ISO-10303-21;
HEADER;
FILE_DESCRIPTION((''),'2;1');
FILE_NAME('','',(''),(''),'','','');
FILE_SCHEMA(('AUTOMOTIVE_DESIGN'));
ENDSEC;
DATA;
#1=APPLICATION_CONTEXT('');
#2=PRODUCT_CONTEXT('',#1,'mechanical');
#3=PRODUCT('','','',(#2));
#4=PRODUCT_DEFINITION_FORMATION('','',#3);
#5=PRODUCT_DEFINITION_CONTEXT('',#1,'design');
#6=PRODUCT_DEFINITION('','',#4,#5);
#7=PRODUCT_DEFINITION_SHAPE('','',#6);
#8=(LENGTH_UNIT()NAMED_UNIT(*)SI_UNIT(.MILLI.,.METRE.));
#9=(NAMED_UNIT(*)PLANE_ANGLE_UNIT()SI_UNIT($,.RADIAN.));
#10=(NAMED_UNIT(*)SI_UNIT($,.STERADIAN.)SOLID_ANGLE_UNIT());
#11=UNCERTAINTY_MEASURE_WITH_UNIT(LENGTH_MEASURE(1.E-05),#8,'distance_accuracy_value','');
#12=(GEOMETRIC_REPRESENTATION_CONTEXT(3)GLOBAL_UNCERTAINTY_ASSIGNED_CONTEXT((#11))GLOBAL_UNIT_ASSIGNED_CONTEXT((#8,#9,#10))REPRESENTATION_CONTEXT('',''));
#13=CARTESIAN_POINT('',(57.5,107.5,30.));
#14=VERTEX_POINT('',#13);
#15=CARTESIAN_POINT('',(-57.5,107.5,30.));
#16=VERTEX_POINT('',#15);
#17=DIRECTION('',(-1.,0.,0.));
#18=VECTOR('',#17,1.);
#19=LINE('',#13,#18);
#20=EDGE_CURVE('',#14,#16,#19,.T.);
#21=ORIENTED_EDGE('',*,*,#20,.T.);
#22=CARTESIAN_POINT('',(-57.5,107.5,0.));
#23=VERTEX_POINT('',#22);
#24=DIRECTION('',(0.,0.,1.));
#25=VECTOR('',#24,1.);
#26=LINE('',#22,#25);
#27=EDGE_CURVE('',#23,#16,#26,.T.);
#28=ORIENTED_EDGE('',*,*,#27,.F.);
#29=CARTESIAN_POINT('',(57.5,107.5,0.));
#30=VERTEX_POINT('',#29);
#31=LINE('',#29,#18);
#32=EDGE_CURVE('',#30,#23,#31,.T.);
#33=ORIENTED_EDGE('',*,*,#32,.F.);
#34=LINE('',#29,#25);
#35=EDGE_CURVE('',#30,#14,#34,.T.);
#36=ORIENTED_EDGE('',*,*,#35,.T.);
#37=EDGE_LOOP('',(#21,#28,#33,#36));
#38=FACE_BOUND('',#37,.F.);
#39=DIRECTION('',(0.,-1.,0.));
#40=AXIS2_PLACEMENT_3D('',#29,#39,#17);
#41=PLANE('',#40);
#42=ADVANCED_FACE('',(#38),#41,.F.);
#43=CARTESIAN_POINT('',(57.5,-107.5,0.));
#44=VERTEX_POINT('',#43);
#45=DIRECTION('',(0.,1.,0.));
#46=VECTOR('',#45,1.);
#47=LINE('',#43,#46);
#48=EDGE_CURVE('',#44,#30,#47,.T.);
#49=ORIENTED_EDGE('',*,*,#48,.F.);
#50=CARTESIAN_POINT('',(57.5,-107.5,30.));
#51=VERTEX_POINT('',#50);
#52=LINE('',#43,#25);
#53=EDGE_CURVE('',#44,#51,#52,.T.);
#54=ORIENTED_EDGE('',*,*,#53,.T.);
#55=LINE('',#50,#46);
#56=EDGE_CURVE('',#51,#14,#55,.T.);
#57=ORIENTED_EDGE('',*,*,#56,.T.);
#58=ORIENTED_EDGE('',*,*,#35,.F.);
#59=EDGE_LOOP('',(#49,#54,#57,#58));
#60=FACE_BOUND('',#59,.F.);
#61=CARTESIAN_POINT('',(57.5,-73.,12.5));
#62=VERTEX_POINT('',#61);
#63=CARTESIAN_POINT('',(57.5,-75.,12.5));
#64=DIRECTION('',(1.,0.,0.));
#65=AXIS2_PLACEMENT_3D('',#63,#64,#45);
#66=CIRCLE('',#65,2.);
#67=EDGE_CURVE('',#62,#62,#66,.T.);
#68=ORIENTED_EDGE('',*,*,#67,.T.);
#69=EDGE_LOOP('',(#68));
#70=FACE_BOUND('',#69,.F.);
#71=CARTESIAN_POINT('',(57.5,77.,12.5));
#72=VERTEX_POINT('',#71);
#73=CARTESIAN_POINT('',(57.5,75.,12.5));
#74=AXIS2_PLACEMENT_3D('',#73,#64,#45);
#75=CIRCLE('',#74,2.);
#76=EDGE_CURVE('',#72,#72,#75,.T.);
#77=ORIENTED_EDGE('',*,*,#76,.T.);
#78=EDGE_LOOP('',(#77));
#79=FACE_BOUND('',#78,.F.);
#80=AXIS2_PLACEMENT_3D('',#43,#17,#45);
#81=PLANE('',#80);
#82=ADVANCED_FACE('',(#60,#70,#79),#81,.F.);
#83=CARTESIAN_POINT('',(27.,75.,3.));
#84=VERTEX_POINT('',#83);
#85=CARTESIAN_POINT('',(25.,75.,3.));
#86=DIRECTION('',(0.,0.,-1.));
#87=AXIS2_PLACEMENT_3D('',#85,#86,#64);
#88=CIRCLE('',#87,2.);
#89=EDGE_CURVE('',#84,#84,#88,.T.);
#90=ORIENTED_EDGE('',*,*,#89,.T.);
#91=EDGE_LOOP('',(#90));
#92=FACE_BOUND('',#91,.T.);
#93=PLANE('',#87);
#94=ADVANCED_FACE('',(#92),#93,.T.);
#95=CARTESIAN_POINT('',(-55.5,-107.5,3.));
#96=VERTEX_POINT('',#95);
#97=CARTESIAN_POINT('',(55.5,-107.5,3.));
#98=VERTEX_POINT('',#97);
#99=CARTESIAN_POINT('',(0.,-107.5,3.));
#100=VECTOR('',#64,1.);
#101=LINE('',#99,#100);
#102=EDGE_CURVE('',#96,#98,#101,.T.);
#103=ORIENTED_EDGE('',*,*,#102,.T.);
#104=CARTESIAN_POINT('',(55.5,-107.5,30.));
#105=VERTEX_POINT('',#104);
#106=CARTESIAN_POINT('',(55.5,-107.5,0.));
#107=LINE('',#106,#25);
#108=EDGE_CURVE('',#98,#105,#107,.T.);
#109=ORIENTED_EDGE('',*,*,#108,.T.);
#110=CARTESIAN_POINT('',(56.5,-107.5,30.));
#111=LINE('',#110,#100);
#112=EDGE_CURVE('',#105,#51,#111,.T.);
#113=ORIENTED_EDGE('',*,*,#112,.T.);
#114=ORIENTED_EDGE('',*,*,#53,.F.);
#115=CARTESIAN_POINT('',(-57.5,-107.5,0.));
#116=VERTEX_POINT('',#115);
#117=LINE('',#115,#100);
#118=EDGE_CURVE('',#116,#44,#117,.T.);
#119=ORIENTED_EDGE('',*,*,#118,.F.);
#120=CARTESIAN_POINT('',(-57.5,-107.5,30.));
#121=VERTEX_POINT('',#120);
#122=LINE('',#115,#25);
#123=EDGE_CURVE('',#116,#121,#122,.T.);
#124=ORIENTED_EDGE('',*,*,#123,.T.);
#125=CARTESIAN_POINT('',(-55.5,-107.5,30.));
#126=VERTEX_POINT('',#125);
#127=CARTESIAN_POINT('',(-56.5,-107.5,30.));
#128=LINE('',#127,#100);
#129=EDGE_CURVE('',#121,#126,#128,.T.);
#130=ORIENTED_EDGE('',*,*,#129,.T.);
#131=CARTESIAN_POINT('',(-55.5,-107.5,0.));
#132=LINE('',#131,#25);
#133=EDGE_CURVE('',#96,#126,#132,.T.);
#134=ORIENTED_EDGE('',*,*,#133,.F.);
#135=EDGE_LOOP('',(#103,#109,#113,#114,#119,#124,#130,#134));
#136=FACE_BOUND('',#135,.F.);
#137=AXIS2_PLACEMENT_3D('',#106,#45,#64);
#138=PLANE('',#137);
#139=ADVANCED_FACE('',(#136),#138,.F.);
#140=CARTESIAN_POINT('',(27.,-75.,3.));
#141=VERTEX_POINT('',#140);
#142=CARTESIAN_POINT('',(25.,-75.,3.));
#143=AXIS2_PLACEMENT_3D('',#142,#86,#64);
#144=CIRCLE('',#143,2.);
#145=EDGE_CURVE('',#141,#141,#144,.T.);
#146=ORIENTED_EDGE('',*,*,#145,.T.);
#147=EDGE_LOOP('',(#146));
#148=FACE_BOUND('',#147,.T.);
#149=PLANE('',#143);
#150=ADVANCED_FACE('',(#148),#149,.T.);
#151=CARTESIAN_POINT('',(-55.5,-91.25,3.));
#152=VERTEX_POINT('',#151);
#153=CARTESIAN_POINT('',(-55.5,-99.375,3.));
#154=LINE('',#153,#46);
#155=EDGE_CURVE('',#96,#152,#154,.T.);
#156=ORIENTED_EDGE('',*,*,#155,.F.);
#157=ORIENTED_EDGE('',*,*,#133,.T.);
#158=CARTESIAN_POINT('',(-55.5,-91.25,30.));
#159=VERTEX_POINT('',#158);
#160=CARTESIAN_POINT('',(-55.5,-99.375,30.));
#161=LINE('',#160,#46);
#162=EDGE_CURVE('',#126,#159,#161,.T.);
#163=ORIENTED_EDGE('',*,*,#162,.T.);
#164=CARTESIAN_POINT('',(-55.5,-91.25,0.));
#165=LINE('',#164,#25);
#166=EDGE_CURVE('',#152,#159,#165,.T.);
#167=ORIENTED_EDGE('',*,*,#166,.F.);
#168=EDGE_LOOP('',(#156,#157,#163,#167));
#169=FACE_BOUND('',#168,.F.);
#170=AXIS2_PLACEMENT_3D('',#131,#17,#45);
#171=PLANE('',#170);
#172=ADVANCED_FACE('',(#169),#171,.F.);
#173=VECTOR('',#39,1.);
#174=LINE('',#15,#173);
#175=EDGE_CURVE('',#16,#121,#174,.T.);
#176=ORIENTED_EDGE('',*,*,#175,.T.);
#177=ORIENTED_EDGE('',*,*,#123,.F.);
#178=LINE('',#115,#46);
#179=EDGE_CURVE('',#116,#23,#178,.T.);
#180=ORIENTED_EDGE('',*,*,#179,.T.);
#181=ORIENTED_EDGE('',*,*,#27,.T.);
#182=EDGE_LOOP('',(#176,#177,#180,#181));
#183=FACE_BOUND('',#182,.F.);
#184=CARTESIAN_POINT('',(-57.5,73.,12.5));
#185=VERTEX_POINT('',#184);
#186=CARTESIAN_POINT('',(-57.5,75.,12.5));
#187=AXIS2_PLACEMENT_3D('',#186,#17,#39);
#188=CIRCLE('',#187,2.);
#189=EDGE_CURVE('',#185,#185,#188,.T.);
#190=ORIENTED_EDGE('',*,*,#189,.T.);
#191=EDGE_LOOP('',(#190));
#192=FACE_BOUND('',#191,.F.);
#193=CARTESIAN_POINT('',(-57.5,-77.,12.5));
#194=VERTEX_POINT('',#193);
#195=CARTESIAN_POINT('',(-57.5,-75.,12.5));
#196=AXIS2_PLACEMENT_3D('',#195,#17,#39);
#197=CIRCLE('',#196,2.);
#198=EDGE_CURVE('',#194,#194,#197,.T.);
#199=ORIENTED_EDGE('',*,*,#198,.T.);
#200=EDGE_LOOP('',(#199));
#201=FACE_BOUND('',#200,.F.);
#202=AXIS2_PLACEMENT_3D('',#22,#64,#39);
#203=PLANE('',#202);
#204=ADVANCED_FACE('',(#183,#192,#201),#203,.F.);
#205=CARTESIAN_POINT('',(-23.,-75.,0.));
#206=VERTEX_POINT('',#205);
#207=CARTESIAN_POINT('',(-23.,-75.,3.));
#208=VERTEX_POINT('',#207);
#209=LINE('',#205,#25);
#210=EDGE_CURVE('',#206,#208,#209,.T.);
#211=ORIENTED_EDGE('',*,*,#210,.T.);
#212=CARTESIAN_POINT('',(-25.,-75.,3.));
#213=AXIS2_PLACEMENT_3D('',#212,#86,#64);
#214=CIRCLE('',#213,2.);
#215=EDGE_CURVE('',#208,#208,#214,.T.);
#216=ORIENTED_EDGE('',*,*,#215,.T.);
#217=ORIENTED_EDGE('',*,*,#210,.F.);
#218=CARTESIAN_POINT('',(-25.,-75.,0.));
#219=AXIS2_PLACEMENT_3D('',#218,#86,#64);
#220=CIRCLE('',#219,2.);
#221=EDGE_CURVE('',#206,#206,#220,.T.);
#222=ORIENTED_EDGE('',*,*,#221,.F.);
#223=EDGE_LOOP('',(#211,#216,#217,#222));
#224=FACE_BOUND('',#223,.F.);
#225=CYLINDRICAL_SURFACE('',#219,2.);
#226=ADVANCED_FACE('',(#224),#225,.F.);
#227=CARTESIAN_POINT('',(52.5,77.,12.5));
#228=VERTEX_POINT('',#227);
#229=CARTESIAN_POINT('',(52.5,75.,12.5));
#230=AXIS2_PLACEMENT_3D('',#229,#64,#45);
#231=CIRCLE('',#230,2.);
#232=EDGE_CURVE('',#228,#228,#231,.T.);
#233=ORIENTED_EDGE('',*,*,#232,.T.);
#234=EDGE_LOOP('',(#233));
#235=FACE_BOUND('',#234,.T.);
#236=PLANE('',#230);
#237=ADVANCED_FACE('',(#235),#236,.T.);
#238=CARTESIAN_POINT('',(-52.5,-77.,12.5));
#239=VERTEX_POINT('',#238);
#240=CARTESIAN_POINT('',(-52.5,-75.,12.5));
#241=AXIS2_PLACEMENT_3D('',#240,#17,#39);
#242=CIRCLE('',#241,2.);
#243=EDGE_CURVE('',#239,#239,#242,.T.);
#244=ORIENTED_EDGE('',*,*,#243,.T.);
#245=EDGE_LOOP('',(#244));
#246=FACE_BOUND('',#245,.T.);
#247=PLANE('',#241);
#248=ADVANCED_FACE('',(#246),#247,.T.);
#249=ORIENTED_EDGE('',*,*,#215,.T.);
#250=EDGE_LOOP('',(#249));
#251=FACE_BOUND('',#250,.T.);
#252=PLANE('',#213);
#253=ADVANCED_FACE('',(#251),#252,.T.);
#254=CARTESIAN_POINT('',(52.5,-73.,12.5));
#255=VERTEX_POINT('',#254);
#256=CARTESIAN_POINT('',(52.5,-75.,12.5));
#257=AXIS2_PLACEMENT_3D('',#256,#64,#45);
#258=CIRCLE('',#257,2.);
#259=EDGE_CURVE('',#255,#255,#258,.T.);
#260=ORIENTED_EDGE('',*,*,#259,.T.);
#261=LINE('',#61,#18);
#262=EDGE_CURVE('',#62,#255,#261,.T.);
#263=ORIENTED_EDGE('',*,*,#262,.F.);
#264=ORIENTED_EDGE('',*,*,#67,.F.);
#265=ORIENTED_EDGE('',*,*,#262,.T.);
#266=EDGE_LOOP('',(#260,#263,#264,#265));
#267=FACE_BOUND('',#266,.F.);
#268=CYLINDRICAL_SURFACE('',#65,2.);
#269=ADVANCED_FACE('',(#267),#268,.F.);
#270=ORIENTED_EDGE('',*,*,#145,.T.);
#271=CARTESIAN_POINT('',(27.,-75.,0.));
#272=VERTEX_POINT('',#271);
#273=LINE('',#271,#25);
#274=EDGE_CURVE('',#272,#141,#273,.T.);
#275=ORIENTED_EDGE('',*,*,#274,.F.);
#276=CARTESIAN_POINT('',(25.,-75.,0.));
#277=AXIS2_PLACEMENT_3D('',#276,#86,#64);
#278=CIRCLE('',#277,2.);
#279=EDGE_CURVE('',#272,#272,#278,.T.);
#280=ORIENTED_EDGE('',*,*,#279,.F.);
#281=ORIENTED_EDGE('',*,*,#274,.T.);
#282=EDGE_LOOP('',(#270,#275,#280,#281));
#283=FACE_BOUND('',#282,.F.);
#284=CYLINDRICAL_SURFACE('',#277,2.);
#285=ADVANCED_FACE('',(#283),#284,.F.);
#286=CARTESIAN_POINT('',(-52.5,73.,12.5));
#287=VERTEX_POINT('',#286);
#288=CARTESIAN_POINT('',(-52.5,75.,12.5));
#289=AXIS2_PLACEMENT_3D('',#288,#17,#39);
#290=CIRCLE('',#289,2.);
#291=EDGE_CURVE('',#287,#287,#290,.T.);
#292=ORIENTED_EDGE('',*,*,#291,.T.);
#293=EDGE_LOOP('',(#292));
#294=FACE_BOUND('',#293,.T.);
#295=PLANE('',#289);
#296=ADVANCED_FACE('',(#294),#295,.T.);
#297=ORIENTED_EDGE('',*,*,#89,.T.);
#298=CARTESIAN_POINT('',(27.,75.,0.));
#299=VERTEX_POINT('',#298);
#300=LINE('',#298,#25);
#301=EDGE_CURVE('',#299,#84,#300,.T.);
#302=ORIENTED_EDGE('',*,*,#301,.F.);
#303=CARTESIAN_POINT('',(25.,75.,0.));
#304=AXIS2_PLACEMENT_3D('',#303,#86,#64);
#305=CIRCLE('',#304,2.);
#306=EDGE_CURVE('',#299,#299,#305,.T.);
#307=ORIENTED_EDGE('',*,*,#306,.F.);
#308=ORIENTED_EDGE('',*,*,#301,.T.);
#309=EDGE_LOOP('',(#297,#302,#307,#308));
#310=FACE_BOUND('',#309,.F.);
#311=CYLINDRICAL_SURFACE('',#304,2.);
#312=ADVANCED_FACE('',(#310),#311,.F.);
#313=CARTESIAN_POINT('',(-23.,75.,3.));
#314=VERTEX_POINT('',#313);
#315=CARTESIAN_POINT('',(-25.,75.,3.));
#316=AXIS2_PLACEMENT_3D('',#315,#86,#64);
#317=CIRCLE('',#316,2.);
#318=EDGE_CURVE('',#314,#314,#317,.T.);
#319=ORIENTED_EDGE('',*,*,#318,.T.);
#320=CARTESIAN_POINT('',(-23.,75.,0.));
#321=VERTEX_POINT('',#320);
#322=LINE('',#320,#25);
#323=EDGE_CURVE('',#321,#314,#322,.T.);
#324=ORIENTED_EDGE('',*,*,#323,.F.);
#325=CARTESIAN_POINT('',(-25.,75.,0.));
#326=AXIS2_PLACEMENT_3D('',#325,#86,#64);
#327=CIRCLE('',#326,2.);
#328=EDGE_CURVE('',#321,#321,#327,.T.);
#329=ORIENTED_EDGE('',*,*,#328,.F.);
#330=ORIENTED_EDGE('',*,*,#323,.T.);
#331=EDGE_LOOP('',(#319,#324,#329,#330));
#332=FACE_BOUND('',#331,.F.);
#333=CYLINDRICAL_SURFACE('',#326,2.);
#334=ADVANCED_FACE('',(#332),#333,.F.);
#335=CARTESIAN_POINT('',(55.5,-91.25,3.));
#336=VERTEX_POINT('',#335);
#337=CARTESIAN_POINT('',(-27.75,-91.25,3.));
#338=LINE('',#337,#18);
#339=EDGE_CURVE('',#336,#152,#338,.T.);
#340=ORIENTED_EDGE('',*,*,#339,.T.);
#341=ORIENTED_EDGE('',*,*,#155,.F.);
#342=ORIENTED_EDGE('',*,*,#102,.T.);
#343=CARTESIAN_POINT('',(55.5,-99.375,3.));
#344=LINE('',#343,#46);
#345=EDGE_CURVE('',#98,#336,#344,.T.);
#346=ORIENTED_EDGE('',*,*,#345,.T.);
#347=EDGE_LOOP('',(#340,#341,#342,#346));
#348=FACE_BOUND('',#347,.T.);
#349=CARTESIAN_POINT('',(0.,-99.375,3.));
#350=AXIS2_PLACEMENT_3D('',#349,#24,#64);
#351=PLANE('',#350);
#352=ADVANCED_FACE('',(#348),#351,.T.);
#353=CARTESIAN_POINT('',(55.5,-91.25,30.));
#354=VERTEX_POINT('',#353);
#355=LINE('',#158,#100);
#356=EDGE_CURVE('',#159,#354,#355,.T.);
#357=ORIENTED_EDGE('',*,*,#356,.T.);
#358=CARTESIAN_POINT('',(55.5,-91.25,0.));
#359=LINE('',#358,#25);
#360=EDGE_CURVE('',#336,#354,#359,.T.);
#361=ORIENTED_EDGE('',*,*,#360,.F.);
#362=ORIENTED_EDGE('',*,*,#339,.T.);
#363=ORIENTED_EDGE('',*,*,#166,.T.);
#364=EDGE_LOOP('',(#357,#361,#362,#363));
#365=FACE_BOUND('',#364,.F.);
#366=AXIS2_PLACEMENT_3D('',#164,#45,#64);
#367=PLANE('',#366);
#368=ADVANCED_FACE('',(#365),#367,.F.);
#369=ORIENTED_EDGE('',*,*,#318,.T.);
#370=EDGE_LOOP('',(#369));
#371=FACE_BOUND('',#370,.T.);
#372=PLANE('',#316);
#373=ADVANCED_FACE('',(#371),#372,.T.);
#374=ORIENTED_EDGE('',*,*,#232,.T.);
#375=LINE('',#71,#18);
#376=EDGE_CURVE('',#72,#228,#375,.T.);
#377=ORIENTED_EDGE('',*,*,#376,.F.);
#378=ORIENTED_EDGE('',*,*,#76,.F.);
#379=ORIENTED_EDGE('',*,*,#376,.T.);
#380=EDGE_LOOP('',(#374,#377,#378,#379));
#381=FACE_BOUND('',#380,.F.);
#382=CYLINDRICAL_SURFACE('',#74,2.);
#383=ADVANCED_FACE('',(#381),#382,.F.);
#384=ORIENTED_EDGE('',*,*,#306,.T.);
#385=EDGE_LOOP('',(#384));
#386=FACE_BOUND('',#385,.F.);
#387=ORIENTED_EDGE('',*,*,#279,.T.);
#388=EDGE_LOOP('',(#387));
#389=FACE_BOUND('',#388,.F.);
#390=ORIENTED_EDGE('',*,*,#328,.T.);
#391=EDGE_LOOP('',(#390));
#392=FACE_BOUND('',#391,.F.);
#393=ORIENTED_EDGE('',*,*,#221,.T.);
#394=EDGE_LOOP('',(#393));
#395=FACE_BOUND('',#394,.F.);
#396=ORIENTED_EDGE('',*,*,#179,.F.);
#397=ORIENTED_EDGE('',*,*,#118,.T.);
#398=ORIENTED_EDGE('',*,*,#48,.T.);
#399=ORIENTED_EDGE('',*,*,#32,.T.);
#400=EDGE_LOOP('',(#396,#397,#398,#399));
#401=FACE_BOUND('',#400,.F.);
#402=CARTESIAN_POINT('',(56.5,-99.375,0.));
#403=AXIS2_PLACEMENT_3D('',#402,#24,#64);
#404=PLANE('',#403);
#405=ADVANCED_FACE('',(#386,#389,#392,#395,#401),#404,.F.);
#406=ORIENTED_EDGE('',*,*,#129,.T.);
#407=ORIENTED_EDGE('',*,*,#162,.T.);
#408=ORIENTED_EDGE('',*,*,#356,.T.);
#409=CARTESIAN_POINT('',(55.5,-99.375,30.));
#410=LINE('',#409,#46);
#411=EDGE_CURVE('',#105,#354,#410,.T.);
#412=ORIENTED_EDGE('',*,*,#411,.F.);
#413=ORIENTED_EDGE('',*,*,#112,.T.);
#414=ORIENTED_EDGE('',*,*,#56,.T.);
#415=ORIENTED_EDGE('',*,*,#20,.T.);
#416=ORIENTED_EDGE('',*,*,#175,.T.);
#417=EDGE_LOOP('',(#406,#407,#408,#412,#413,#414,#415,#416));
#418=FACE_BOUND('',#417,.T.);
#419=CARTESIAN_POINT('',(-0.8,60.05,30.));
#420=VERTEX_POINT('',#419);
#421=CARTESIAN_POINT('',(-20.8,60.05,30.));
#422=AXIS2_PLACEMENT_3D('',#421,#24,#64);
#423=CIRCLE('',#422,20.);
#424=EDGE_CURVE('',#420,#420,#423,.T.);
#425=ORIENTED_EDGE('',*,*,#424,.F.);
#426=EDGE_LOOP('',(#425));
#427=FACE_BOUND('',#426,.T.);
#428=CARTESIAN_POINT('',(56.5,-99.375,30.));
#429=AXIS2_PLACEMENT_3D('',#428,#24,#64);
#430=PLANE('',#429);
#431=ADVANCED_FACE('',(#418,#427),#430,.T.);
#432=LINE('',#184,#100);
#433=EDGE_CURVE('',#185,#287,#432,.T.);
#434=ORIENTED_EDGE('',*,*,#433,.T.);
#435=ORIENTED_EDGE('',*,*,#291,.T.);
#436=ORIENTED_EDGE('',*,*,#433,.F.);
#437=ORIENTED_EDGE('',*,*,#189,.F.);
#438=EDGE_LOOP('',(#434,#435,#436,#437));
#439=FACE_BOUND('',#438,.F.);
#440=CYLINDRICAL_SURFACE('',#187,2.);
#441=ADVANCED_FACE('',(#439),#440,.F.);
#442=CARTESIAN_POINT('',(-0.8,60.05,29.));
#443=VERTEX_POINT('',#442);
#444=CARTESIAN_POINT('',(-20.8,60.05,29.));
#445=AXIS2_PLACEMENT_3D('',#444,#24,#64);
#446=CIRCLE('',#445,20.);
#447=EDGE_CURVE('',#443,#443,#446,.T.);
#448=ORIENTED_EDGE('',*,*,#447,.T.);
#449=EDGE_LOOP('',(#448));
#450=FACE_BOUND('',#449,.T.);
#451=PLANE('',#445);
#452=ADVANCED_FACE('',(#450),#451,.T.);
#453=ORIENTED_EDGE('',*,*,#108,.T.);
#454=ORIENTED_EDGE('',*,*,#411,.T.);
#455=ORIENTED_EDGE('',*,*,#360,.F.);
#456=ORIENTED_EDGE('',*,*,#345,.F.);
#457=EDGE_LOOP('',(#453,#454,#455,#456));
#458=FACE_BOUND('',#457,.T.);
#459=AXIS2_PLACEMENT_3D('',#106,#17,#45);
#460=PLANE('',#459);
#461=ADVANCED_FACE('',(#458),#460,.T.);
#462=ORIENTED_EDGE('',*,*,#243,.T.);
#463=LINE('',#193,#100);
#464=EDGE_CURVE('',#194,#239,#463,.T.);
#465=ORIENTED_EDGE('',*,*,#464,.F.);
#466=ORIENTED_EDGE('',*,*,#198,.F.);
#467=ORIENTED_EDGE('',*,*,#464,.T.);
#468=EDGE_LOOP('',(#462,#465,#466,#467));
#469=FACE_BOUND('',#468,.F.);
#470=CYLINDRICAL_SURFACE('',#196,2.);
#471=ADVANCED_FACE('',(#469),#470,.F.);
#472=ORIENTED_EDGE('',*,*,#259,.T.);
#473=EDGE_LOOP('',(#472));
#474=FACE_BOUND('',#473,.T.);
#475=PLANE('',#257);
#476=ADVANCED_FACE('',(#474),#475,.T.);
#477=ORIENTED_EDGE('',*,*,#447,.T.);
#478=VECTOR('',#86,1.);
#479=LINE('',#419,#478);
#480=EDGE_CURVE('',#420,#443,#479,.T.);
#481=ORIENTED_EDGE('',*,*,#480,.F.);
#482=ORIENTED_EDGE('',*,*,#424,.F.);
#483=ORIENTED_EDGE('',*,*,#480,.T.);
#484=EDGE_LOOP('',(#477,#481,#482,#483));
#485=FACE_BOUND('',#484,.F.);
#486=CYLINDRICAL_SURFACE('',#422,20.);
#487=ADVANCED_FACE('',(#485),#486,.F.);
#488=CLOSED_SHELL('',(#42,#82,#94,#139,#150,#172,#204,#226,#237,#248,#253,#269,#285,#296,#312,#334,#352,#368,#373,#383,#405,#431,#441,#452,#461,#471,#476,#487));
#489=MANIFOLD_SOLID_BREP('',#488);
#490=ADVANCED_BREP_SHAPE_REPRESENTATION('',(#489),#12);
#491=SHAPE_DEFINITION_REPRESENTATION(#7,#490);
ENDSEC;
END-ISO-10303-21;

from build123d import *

# Parameters (mm, degrees)
F0_W      = 111
F0_H      = 16.25
F1_DEPTH  = 3
F0_W_2    = 2
F2_DEPTH  = 30
F3_R      = 2
F4_DEPTH  = 5
F5_R      = 2
F6_DEPTH  = 3
F7_R      = 2
F8_DEPTH  = 5
F9_R      = 20
F10_DEPTH = 1


with BuildPart() as f1:
    # F0 (on Top) → F1 (new body)
    with BuildSketch(Plane.XY):
        with Locations((0, -99.375)):
            Rectangle(F0_W, F0_H)
        Polygon((55.5, -91.25), (57.5, -91.25), (57.5, 107.5), (-57.5, 107.5), (-57.5, -91.25), (-55.5, -91.25), align=None)
    extrude(amount=F1_DEPTH)

    # F0 (on Top) → F2 (join)
    with BuildSketch(Plane.XY):
        with Locations((56.5, -99.375)):
            Rectangle(F0_W_2, F0_H)
        with Locations((-56.5, -99.375)):
            Rectangle(F0_W_2, F0_H)
        Polygon((55.5, -91.25), (57.5, -91.25), (57.5, 107.5), (-57.5, 107.5), (-57.5, -91.25), (-55.5, -91.25), align=None)
    extrude(amount=F2_DEPTH)

    # F3 (on face) → F4 (cut)
    with BuildSketch(Plane.YZ.offset(57.5)):
        with Locations((-75, 12.5)):
            Circle(F3_R)
        with Locations((75, 12.5)):
            Circle(F3_R)
    extrude(amount=-F4_DEPTH, mode=Mode.SUBTRACT)

    # F5 (on face) → F6 (cut)
    with BuildSketch(Plane(origin=(0, 0, 0), x_dir=(1, 0, 0), z_dir=(0, 0, -1))):
        with Locations((25, 75)):
            Circle(F5_R)
        with Locations((25, -75)):
            Circle(F5_R)
        with Locations((-25, 75)):
            Circle(F5_R)
        with Locations((-25, -75)):
            Circle(F5_R)
    extrude(amount=-F6_DEPTH, mode=Mode.SUBTRACT)

    # F7 (on face) → F8 (cut)
    with BuildSketch(Plane(origin=(-57.5, 0, 0), x_dir=(0, -1, 0), z_dir=(-1, 0, 0))):
        with Locations((-75, 12.5)):
            Circle(F7_R)
        with Locations((75, 12.5)):
            Circle(F7_R)
    extrude(amount=-F8_DEPTH, mode=Mode.SUBTRACT)

    # F9 (on face) → F10 (cut)
    with BuildSketch(Plane.XY.offset(30)):
        with Locations((-20.8, 60.05)):
            Circle(F9_R)
    extrude(amount=-F10_DEPTH, mode=Mode.SUBTRACT)


solid = f1.part
